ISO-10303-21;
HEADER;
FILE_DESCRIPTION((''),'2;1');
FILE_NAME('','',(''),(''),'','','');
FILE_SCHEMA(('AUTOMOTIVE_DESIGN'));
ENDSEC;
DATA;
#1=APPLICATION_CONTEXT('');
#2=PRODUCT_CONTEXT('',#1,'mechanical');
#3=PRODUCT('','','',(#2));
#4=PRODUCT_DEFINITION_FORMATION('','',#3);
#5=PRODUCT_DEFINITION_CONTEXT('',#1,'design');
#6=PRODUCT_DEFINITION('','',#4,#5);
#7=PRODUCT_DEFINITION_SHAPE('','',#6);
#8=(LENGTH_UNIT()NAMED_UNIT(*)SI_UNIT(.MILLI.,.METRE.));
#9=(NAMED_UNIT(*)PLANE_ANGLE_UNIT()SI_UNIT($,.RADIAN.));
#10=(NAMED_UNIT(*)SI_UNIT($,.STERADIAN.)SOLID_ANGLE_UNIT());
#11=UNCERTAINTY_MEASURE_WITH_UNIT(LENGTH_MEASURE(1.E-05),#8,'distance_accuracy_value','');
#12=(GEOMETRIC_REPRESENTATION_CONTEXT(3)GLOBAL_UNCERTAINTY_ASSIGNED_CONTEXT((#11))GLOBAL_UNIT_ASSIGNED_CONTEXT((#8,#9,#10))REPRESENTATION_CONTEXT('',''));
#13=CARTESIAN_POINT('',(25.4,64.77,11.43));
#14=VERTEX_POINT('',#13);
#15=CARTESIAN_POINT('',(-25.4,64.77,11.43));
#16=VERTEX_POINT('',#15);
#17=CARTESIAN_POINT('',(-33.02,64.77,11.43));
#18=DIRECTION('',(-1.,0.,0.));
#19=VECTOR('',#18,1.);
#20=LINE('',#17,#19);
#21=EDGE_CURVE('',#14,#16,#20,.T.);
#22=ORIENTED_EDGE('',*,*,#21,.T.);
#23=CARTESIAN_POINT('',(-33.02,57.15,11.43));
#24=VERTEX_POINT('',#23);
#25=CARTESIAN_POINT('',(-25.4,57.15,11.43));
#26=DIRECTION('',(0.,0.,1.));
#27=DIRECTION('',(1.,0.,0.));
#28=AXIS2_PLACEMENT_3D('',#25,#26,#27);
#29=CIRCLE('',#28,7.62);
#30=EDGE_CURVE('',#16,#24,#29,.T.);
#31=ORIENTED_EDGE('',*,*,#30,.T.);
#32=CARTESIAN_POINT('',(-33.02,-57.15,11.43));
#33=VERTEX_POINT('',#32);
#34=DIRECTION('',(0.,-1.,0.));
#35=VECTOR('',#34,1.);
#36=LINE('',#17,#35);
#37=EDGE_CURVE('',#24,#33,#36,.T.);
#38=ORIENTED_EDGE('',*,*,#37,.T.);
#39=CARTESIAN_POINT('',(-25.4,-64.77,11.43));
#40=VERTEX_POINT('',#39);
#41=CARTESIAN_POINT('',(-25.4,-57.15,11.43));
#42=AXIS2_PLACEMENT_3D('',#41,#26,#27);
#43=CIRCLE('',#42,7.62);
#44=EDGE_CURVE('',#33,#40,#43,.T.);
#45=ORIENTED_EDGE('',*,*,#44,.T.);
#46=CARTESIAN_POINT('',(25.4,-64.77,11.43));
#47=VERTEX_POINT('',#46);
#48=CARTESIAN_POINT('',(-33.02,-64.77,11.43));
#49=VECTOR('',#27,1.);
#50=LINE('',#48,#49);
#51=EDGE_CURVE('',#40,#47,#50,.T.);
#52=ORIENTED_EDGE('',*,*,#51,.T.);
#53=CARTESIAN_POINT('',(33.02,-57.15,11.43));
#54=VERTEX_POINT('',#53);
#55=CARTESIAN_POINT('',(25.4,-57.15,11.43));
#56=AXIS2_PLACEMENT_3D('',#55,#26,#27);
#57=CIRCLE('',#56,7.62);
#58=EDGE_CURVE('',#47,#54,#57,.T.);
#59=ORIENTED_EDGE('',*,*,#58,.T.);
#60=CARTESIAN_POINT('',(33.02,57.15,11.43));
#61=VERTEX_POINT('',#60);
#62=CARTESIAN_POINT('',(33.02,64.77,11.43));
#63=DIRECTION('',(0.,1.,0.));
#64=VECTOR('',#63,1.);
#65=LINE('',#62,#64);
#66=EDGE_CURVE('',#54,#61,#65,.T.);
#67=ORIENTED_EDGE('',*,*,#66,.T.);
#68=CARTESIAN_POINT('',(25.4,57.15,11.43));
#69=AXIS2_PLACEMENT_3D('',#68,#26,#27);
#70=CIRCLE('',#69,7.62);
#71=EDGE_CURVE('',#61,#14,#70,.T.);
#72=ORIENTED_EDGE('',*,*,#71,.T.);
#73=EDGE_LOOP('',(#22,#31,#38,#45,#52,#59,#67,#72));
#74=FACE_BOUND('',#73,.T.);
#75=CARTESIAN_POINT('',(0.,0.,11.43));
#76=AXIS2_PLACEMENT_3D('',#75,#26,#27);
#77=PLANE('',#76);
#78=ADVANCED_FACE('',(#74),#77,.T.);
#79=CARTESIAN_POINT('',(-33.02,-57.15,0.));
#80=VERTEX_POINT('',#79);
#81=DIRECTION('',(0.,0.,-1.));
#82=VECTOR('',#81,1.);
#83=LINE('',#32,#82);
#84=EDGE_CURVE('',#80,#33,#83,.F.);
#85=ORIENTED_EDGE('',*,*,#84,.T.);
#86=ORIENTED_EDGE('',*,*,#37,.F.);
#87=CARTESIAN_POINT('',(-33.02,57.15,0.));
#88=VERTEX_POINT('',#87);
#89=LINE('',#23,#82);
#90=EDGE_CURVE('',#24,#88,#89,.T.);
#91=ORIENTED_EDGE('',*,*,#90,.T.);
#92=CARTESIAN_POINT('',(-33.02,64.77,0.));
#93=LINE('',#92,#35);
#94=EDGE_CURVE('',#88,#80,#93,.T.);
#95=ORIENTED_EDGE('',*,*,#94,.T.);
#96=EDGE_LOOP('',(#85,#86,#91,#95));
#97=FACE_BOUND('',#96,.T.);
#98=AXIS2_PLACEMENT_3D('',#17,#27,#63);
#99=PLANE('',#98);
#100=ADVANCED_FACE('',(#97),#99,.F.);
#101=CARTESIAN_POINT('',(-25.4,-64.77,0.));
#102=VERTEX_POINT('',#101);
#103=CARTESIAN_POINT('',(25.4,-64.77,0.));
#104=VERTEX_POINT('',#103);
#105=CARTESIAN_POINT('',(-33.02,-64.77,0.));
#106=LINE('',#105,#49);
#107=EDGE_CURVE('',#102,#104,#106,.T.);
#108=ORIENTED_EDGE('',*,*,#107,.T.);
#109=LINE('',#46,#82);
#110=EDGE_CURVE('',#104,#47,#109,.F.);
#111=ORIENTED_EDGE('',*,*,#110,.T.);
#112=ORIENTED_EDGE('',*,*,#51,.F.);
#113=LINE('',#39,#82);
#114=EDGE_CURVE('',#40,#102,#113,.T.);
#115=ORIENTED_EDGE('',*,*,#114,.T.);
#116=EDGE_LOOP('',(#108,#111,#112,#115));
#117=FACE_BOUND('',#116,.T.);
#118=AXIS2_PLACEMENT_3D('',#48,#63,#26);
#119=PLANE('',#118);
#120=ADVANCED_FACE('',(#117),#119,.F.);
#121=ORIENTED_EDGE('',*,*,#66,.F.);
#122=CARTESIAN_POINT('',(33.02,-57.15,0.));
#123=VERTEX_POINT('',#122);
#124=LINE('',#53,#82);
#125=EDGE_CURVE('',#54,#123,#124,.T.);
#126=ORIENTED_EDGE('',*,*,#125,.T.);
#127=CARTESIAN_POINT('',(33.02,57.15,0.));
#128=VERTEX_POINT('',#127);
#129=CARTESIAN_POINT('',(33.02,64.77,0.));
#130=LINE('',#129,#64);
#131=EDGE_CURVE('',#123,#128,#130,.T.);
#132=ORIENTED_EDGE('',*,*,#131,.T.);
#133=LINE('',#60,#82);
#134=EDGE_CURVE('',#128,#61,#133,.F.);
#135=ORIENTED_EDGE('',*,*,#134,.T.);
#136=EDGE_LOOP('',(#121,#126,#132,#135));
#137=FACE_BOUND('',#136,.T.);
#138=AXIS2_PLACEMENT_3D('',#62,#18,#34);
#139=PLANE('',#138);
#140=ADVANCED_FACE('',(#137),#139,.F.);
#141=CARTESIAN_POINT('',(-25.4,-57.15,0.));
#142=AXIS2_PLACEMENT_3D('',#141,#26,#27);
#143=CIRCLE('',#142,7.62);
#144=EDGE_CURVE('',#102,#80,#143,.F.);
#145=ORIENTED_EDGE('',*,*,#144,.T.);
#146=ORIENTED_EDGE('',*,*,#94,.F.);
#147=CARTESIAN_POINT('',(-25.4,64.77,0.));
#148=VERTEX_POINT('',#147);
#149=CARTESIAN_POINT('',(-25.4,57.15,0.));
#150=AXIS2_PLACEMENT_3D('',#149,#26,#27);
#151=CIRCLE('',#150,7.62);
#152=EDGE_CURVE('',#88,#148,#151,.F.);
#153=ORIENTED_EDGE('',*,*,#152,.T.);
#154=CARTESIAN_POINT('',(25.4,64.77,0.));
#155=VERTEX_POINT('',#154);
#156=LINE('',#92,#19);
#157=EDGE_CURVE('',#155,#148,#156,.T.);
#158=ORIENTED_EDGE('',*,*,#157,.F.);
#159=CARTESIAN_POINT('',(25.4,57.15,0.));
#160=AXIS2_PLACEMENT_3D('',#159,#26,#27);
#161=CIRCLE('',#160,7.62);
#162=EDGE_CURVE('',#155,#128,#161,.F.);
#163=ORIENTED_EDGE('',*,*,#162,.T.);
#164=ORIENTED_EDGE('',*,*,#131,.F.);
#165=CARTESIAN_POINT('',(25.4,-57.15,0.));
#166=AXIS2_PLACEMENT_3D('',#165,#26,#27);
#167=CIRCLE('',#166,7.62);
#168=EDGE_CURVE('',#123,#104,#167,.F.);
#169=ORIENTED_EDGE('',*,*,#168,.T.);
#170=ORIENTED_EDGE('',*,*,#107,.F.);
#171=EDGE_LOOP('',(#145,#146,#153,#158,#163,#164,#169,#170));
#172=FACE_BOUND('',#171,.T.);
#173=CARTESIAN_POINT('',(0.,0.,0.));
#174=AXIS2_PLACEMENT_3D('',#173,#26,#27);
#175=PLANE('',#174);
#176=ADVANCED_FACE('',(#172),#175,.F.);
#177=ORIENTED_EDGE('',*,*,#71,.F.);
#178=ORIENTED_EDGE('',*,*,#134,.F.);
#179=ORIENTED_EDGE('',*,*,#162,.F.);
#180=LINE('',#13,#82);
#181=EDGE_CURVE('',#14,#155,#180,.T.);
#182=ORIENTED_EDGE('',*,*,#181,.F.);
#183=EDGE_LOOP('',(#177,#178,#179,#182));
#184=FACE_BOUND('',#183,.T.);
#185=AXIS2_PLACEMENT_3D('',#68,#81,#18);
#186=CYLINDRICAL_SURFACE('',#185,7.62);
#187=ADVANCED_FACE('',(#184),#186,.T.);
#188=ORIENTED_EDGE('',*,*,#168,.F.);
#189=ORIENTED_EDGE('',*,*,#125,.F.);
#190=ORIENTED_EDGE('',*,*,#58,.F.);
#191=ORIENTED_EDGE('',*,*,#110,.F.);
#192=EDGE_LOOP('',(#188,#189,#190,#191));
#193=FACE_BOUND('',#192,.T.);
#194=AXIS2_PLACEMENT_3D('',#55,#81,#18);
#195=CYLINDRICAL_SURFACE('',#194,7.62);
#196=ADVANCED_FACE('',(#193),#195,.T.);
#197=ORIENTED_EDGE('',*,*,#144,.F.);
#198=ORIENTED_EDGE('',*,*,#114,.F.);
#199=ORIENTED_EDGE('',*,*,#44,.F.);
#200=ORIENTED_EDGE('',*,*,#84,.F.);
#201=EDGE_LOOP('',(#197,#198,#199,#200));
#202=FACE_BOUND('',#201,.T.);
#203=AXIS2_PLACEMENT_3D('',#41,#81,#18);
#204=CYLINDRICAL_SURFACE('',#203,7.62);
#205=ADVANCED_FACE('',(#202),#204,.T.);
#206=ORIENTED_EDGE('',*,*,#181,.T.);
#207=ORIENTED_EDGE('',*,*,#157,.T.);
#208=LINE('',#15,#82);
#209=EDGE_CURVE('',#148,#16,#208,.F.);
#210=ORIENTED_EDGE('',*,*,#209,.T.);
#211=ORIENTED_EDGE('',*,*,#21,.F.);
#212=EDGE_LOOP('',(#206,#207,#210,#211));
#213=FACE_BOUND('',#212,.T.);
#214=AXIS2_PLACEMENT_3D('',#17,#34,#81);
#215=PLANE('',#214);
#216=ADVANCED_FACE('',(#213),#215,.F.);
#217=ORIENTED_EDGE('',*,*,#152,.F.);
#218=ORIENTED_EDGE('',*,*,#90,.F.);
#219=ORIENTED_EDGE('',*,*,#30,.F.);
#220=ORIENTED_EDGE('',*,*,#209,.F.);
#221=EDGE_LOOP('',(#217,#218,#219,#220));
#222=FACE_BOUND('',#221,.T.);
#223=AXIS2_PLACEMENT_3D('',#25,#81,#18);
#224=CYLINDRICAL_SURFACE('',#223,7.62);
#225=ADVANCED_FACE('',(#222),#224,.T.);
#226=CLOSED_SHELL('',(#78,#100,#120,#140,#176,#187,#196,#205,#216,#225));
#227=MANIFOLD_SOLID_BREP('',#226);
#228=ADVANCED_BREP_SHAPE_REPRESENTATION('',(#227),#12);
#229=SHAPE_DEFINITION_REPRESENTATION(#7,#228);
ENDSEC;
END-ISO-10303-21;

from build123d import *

# Parameters (mm, degrees)
SKETCH1_W           = 66.04
SKETCH1_H           = 129.54
BOSS_EXTRUDE1_DEPTH = 11.43
FILLET1_R           = 7.62


with BuildPart() as part:
    # Sketch1 → Boss-Extrude1 (new body)
    with BuildSketch(Plane.XY):
        Rectangle(SKETCH1_W, SKETCH1_H)
    extrude(amount=BOSS_EXTRUDE1_DEPTH)

    # Fillet1
    fillet1_edges = [part.edges().sort_by_distance(p)[0] for p in [
        (33.02, -64.77, 5.715),
        (-33.02, -64.77, 5.715),
        (-33.02, 64.77, 5.715),
        (33.02, 64.77, 5.715),
    ]]
    fillet(fillet1_edges, radius=FILLET1_R)


solid = part.part
